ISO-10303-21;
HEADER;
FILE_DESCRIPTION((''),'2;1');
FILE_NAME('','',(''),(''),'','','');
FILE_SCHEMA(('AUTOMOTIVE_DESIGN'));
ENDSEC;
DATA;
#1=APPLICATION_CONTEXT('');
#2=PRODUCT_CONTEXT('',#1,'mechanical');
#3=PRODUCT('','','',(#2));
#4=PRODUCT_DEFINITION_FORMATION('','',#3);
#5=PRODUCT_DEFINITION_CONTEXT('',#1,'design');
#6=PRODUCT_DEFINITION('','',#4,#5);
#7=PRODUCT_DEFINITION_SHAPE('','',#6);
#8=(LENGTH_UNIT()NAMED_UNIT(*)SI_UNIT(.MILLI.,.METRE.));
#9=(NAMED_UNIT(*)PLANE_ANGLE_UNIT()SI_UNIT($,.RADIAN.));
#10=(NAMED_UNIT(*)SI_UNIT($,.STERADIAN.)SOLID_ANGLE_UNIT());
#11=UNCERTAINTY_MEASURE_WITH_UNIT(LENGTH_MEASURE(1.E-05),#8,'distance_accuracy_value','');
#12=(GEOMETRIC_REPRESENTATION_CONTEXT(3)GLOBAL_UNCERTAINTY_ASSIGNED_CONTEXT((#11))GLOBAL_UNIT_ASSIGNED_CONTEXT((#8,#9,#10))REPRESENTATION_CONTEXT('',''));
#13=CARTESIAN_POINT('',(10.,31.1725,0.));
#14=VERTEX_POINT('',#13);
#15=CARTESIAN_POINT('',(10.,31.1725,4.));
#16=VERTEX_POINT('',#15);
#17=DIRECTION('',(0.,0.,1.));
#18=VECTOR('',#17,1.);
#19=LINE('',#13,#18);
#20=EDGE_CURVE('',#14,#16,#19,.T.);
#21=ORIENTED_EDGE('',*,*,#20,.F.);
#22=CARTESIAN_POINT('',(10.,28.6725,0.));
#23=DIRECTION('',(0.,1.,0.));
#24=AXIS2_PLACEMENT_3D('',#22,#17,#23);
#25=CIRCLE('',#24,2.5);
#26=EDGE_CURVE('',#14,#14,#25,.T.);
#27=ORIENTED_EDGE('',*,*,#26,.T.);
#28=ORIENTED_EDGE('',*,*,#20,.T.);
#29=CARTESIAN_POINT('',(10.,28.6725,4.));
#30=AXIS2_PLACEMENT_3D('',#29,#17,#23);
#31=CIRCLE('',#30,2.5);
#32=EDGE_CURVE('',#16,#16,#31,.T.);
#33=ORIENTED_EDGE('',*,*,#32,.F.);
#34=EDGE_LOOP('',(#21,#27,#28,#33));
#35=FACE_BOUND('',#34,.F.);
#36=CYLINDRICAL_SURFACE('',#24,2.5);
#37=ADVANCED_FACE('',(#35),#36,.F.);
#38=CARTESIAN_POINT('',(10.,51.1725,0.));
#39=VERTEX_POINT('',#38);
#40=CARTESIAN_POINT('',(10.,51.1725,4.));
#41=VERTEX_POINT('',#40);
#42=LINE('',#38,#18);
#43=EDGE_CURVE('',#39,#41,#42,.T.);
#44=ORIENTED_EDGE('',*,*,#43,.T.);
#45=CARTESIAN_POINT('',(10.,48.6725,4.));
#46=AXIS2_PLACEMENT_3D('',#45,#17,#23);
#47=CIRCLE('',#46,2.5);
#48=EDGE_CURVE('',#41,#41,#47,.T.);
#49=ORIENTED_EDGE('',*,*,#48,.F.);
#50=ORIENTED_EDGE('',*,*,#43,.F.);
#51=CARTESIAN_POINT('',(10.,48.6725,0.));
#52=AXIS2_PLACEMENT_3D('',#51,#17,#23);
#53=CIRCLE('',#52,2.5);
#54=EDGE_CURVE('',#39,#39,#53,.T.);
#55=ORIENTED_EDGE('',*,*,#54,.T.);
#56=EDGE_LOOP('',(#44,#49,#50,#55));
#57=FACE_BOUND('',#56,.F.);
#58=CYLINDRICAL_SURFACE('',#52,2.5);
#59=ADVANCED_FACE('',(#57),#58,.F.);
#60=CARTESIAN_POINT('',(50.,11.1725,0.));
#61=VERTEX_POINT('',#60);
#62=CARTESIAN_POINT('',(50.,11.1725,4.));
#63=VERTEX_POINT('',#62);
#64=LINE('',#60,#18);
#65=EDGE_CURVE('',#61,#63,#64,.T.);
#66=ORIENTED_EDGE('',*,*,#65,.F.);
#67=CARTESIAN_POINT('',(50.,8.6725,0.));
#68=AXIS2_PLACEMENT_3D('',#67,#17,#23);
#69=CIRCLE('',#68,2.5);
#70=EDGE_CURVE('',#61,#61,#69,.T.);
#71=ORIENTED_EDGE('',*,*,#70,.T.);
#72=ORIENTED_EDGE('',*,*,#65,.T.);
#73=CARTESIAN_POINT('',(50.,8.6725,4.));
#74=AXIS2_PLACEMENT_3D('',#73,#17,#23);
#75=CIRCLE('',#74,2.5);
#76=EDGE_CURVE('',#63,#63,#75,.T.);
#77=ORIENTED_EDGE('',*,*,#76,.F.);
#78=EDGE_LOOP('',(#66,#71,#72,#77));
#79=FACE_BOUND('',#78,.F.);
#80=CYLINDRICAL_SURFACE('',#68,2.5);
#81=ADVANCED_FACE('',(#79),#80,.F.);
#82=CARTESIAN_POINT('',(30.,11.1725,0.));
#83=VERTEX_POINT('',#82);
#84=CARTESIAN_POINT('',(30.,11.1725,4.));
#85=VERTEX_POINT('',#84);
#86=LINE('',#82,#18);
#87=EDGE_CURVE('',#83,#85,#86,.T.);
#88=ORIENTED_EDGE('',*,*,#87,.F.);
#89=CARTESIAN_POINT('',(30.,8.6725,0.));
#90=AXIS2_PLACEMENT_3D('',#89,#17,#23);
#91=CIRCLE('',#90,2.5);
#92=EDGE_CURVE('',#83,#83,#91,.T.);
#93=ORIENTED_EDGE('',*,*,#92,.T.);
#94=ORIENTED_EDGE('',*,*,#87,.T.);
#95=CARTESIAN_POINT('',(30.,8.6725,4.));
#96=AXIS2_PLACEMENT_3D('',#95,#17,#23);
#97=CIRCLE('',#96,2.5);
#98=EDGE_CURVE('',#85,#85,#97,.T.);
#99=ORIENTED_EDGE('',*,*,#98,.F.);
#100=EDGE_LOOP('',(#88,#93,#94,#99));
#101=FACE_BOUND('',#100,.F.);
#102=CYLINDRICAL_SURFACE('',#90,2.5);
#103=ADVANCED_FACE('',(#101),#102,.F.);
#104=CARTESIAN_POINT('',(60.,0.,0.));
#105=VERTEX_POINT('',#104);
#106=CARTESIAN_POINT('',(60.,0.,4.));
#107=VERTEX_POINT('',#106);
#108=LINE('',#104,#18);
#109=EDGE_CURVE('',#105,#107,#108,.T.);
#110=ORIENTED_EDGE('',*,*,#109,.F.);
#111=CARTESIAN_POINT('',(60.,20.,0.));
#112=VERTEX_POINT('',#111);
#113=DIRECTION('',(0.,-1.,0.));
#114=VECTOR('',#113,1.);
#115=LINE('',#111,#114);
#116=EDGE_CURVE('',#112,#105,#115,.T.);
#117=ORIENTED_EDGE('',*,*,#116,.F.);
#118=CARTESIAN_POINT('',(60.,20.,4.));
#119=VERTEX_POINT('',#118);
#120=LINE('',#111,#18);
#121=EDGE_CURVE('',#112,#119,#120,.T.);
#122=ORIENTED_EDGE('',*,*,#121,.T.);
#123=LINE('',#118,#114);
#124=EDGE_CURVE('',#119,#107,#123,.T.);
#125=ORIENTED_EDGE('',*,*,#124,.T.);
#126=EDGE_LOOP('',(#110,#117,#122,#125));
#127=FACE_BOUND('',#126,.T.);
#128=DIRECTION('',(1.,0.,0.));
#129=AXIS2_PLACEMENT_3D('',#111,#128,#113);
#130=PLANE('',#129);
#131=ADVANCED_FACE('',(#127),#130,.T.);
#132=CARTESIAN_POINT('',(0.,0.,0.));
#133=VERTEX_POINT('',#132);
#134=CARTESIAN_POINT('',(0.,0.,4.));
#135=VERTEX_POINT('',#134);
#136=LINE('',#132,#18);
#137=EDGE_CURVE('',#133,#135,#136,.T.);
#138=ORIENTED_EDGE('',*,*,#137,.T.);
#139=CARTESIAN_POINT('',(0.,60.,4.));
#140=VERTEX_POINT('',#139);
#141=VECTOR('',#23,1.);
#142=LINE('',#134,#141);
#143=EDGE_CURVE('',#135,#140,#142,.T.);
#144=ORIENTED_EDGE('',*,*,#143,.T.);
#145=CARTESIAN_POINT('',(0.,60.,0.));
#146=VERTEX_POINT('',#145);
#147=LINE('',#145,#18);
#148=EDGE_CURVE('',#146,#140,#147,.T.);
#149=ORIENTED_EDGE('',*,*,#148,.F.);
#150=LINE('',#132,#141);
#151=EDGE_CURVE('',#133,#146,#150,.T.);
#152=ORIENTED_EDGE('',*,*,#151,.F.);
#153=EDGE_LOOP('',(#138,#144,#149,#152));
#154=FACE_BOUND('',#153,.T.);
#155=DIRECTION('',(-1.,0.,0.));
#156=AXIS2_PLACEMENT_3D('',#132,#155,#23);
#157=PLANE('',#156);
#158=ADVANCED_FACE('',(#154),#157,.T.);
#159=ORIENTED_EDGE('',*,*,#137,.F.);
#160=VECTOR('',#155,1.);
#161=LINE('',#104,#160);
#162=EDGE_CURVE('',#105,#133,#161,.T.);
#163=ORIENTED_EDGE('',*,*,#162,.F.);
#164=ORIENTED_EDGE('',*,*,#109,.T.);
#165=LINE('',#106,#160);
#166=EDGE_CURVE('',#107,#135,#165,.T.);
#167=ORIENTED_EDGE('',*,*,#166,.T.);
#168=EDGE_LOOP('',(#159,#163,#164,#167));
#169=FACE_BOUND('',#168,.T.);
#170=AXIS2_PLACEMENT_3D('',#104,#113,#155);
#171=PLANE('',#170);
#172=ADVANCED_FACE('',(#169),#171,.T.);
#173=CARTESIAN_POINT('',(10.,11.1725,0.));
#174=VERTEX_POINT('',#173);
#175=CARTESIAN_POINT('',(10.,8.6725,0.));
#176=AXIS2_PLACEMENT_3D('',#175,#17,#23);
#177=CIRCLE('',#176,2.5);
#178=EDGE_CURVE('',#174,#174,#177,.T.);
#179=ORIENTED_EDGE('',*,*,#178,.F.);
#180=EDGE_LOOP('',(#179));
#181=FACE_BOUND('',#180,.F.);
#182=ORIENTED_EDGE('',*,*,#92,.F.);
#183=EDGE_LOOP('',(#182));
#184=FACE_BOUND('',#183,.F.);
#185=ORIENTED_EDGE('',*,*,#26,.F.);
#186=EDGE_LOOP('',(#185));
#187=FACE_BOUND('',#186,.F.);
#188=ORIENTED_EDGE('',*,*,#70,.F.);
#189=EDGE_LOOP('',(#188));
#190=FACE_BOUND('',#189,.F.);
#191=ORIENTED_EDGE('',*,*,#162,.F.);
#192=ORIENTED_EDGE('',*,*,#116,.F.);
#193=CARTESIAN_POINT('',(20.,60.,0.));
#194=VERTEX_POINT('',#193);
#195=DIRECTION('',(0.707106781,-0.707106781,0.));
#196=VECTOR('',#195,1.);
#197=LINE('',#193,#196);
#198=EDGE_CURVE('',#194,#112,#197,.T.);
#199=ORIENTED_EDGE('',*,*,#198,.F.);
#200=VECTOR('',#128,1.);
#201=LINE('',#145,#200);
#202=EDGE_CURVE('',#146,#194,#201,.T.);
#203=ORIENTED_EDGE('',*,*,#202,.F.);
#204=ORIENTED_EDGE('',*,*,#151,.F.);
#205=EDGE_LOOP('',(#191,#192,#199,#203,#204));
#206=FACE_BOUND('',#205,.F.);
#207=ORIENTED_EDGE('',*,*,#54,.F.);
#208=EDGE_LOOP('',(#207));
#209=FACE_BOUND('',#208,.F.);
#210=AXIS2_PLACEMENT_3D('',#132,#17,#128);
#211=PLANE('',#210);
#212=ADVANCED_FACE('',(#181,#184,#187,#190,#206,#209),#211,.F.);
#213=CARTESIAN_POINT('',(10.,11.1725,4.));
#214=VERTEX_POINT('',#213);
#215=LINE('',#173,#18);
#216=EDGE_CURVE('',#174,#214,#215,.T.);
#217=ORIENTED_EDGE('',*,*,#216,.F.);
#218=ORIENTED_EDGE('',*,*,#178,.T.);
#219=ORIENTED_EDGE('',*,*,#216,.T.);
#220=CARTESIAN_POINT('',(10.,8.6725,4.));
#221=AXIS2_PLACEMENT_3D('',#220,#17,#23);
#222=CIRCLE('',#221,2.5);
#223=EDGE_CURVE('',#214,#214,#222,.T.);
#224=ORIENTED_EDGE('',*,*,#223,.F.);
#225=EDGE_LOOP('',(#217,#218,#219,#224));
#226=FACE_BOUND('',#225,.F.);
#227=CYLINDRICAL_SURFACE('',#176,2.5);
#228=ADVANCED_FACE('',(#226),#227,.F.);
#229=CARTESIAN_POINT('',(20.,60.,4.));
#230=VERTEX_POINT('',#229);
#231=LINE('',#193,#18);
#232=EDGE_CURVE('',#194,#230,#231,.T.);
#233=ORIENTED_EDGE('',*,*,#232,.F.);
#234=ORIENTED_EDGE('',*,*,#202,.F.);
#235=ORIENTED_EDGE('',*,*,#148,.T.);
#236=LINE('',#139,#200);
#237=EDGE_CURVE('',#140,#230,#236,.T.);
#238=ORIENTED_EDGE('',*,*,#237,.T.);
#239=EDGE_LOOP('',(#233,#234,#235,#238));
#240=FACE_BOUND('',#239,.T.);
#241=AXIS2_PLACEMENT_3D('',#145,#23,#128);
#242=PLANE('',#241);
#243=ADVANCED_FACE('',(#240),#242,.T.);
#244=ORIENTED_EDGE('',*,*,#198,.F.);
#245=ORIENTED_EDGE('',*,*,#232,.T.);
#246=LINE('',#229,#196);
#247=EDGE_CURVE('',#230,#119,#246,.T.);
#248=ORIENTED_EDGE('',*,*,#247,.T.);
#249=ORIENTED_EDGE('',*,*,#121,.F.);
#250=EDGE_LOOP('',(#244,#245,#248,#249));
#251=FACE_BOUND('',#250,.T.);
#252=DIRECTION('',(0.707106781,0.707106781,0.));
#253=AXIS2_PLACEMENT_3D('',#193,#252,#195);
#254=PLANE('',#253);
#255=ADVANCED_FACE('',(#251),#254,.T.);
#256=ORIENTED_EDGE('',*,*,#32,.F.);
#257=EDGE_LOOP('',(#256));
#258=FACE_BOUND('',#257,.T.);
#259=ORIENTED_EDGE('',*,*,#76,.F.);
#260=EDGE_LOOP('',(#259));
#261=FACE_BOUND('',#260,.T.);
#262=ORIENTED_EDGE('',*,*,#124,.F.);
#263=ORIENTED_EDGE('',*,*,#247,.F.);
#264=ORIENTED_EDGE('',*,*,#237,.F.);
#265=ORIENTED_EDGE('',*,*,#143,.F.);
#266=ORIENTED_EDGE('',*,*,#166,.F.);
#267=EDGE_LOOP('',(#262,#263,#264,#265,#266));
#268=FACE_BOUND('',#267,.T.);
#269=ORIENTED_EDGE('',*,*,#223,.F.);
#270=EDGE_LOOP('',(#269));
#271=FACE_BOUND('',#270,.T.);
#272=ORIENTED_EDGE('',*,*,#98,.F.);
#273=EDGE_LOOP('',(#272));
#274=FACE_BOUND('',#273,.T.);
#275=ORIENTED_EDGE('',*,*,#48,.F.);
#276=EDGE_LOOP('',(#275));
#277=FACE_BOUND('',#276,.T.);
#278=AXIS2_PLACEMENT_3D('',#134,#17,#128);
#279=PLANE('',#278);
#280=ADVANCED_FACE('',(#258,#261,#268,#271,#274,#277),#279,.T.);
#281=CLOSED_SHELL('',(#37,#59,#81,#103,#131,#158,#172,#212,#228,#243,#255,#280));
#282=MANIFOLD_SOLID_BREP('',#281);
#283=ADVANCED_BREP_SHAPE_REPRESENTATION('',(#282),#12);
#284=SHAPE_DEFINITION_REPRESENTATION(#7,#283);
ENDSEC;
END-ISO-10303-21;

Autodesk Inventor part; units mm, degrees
ref_plane "YZ Plane" through (0, 0, 0) normal (1, 0, 0) x (0, 1, 0)
ref_plane "XZ Plane" through (0, 0, 0) normal (0, 1, 0) x (-1, 0, 0)
ref_plane "XY Plane" through (0, 0, 0) normal (0, 0, 1) x (1, 0, 0)
sketch "Sketch1" plane through (0, 0, 0) normal (0, 0, 1) x (1, 0, 0)
  line L0 (0, 0) -> (0, 60)
  line L1 (0, 0) -> (60, 0) construction
  line L2 (0, 60) -> (20, 60)
  line L3 (20, 60) -> (60, 20)
  line L4 (60, 20) -> (60, 0)
  line L5 (60, 0) -> (0, 0)
  point P0 (10, 8.6725)
  point P1 (30, 8.6725)
  point P2 (50, 8.6725)
  point P3 (10, 28.6725)
  point P4 (10, 48.6725)
  dimension "d0" = 60
  dimension "d1" = 90
  dimension "d2" = 20
  dimension "d3" = 135
  dimension "d4" = 60
  dimension "d5" = 20
  dimension "d6" = 10
  dimension "d7" = 20
  dimension "d8" = 20
  dimension "d9" = 20
  dimension "d10" = 20
extrude "Extrusion1" add sketch "Sketch1" along normal blind 4
hole "Hole1" at (10, 8.6725, 0) at (30, 8.6725, 0) at (50, 8.6725, 0) at (10, 28.6725, 0) at (10, 48.6725, 0) direction (0, 0, 1) diameter 5 end through all
properties part number "5 Hole 90 Degree Bracket" material "Aluminum 6061"
